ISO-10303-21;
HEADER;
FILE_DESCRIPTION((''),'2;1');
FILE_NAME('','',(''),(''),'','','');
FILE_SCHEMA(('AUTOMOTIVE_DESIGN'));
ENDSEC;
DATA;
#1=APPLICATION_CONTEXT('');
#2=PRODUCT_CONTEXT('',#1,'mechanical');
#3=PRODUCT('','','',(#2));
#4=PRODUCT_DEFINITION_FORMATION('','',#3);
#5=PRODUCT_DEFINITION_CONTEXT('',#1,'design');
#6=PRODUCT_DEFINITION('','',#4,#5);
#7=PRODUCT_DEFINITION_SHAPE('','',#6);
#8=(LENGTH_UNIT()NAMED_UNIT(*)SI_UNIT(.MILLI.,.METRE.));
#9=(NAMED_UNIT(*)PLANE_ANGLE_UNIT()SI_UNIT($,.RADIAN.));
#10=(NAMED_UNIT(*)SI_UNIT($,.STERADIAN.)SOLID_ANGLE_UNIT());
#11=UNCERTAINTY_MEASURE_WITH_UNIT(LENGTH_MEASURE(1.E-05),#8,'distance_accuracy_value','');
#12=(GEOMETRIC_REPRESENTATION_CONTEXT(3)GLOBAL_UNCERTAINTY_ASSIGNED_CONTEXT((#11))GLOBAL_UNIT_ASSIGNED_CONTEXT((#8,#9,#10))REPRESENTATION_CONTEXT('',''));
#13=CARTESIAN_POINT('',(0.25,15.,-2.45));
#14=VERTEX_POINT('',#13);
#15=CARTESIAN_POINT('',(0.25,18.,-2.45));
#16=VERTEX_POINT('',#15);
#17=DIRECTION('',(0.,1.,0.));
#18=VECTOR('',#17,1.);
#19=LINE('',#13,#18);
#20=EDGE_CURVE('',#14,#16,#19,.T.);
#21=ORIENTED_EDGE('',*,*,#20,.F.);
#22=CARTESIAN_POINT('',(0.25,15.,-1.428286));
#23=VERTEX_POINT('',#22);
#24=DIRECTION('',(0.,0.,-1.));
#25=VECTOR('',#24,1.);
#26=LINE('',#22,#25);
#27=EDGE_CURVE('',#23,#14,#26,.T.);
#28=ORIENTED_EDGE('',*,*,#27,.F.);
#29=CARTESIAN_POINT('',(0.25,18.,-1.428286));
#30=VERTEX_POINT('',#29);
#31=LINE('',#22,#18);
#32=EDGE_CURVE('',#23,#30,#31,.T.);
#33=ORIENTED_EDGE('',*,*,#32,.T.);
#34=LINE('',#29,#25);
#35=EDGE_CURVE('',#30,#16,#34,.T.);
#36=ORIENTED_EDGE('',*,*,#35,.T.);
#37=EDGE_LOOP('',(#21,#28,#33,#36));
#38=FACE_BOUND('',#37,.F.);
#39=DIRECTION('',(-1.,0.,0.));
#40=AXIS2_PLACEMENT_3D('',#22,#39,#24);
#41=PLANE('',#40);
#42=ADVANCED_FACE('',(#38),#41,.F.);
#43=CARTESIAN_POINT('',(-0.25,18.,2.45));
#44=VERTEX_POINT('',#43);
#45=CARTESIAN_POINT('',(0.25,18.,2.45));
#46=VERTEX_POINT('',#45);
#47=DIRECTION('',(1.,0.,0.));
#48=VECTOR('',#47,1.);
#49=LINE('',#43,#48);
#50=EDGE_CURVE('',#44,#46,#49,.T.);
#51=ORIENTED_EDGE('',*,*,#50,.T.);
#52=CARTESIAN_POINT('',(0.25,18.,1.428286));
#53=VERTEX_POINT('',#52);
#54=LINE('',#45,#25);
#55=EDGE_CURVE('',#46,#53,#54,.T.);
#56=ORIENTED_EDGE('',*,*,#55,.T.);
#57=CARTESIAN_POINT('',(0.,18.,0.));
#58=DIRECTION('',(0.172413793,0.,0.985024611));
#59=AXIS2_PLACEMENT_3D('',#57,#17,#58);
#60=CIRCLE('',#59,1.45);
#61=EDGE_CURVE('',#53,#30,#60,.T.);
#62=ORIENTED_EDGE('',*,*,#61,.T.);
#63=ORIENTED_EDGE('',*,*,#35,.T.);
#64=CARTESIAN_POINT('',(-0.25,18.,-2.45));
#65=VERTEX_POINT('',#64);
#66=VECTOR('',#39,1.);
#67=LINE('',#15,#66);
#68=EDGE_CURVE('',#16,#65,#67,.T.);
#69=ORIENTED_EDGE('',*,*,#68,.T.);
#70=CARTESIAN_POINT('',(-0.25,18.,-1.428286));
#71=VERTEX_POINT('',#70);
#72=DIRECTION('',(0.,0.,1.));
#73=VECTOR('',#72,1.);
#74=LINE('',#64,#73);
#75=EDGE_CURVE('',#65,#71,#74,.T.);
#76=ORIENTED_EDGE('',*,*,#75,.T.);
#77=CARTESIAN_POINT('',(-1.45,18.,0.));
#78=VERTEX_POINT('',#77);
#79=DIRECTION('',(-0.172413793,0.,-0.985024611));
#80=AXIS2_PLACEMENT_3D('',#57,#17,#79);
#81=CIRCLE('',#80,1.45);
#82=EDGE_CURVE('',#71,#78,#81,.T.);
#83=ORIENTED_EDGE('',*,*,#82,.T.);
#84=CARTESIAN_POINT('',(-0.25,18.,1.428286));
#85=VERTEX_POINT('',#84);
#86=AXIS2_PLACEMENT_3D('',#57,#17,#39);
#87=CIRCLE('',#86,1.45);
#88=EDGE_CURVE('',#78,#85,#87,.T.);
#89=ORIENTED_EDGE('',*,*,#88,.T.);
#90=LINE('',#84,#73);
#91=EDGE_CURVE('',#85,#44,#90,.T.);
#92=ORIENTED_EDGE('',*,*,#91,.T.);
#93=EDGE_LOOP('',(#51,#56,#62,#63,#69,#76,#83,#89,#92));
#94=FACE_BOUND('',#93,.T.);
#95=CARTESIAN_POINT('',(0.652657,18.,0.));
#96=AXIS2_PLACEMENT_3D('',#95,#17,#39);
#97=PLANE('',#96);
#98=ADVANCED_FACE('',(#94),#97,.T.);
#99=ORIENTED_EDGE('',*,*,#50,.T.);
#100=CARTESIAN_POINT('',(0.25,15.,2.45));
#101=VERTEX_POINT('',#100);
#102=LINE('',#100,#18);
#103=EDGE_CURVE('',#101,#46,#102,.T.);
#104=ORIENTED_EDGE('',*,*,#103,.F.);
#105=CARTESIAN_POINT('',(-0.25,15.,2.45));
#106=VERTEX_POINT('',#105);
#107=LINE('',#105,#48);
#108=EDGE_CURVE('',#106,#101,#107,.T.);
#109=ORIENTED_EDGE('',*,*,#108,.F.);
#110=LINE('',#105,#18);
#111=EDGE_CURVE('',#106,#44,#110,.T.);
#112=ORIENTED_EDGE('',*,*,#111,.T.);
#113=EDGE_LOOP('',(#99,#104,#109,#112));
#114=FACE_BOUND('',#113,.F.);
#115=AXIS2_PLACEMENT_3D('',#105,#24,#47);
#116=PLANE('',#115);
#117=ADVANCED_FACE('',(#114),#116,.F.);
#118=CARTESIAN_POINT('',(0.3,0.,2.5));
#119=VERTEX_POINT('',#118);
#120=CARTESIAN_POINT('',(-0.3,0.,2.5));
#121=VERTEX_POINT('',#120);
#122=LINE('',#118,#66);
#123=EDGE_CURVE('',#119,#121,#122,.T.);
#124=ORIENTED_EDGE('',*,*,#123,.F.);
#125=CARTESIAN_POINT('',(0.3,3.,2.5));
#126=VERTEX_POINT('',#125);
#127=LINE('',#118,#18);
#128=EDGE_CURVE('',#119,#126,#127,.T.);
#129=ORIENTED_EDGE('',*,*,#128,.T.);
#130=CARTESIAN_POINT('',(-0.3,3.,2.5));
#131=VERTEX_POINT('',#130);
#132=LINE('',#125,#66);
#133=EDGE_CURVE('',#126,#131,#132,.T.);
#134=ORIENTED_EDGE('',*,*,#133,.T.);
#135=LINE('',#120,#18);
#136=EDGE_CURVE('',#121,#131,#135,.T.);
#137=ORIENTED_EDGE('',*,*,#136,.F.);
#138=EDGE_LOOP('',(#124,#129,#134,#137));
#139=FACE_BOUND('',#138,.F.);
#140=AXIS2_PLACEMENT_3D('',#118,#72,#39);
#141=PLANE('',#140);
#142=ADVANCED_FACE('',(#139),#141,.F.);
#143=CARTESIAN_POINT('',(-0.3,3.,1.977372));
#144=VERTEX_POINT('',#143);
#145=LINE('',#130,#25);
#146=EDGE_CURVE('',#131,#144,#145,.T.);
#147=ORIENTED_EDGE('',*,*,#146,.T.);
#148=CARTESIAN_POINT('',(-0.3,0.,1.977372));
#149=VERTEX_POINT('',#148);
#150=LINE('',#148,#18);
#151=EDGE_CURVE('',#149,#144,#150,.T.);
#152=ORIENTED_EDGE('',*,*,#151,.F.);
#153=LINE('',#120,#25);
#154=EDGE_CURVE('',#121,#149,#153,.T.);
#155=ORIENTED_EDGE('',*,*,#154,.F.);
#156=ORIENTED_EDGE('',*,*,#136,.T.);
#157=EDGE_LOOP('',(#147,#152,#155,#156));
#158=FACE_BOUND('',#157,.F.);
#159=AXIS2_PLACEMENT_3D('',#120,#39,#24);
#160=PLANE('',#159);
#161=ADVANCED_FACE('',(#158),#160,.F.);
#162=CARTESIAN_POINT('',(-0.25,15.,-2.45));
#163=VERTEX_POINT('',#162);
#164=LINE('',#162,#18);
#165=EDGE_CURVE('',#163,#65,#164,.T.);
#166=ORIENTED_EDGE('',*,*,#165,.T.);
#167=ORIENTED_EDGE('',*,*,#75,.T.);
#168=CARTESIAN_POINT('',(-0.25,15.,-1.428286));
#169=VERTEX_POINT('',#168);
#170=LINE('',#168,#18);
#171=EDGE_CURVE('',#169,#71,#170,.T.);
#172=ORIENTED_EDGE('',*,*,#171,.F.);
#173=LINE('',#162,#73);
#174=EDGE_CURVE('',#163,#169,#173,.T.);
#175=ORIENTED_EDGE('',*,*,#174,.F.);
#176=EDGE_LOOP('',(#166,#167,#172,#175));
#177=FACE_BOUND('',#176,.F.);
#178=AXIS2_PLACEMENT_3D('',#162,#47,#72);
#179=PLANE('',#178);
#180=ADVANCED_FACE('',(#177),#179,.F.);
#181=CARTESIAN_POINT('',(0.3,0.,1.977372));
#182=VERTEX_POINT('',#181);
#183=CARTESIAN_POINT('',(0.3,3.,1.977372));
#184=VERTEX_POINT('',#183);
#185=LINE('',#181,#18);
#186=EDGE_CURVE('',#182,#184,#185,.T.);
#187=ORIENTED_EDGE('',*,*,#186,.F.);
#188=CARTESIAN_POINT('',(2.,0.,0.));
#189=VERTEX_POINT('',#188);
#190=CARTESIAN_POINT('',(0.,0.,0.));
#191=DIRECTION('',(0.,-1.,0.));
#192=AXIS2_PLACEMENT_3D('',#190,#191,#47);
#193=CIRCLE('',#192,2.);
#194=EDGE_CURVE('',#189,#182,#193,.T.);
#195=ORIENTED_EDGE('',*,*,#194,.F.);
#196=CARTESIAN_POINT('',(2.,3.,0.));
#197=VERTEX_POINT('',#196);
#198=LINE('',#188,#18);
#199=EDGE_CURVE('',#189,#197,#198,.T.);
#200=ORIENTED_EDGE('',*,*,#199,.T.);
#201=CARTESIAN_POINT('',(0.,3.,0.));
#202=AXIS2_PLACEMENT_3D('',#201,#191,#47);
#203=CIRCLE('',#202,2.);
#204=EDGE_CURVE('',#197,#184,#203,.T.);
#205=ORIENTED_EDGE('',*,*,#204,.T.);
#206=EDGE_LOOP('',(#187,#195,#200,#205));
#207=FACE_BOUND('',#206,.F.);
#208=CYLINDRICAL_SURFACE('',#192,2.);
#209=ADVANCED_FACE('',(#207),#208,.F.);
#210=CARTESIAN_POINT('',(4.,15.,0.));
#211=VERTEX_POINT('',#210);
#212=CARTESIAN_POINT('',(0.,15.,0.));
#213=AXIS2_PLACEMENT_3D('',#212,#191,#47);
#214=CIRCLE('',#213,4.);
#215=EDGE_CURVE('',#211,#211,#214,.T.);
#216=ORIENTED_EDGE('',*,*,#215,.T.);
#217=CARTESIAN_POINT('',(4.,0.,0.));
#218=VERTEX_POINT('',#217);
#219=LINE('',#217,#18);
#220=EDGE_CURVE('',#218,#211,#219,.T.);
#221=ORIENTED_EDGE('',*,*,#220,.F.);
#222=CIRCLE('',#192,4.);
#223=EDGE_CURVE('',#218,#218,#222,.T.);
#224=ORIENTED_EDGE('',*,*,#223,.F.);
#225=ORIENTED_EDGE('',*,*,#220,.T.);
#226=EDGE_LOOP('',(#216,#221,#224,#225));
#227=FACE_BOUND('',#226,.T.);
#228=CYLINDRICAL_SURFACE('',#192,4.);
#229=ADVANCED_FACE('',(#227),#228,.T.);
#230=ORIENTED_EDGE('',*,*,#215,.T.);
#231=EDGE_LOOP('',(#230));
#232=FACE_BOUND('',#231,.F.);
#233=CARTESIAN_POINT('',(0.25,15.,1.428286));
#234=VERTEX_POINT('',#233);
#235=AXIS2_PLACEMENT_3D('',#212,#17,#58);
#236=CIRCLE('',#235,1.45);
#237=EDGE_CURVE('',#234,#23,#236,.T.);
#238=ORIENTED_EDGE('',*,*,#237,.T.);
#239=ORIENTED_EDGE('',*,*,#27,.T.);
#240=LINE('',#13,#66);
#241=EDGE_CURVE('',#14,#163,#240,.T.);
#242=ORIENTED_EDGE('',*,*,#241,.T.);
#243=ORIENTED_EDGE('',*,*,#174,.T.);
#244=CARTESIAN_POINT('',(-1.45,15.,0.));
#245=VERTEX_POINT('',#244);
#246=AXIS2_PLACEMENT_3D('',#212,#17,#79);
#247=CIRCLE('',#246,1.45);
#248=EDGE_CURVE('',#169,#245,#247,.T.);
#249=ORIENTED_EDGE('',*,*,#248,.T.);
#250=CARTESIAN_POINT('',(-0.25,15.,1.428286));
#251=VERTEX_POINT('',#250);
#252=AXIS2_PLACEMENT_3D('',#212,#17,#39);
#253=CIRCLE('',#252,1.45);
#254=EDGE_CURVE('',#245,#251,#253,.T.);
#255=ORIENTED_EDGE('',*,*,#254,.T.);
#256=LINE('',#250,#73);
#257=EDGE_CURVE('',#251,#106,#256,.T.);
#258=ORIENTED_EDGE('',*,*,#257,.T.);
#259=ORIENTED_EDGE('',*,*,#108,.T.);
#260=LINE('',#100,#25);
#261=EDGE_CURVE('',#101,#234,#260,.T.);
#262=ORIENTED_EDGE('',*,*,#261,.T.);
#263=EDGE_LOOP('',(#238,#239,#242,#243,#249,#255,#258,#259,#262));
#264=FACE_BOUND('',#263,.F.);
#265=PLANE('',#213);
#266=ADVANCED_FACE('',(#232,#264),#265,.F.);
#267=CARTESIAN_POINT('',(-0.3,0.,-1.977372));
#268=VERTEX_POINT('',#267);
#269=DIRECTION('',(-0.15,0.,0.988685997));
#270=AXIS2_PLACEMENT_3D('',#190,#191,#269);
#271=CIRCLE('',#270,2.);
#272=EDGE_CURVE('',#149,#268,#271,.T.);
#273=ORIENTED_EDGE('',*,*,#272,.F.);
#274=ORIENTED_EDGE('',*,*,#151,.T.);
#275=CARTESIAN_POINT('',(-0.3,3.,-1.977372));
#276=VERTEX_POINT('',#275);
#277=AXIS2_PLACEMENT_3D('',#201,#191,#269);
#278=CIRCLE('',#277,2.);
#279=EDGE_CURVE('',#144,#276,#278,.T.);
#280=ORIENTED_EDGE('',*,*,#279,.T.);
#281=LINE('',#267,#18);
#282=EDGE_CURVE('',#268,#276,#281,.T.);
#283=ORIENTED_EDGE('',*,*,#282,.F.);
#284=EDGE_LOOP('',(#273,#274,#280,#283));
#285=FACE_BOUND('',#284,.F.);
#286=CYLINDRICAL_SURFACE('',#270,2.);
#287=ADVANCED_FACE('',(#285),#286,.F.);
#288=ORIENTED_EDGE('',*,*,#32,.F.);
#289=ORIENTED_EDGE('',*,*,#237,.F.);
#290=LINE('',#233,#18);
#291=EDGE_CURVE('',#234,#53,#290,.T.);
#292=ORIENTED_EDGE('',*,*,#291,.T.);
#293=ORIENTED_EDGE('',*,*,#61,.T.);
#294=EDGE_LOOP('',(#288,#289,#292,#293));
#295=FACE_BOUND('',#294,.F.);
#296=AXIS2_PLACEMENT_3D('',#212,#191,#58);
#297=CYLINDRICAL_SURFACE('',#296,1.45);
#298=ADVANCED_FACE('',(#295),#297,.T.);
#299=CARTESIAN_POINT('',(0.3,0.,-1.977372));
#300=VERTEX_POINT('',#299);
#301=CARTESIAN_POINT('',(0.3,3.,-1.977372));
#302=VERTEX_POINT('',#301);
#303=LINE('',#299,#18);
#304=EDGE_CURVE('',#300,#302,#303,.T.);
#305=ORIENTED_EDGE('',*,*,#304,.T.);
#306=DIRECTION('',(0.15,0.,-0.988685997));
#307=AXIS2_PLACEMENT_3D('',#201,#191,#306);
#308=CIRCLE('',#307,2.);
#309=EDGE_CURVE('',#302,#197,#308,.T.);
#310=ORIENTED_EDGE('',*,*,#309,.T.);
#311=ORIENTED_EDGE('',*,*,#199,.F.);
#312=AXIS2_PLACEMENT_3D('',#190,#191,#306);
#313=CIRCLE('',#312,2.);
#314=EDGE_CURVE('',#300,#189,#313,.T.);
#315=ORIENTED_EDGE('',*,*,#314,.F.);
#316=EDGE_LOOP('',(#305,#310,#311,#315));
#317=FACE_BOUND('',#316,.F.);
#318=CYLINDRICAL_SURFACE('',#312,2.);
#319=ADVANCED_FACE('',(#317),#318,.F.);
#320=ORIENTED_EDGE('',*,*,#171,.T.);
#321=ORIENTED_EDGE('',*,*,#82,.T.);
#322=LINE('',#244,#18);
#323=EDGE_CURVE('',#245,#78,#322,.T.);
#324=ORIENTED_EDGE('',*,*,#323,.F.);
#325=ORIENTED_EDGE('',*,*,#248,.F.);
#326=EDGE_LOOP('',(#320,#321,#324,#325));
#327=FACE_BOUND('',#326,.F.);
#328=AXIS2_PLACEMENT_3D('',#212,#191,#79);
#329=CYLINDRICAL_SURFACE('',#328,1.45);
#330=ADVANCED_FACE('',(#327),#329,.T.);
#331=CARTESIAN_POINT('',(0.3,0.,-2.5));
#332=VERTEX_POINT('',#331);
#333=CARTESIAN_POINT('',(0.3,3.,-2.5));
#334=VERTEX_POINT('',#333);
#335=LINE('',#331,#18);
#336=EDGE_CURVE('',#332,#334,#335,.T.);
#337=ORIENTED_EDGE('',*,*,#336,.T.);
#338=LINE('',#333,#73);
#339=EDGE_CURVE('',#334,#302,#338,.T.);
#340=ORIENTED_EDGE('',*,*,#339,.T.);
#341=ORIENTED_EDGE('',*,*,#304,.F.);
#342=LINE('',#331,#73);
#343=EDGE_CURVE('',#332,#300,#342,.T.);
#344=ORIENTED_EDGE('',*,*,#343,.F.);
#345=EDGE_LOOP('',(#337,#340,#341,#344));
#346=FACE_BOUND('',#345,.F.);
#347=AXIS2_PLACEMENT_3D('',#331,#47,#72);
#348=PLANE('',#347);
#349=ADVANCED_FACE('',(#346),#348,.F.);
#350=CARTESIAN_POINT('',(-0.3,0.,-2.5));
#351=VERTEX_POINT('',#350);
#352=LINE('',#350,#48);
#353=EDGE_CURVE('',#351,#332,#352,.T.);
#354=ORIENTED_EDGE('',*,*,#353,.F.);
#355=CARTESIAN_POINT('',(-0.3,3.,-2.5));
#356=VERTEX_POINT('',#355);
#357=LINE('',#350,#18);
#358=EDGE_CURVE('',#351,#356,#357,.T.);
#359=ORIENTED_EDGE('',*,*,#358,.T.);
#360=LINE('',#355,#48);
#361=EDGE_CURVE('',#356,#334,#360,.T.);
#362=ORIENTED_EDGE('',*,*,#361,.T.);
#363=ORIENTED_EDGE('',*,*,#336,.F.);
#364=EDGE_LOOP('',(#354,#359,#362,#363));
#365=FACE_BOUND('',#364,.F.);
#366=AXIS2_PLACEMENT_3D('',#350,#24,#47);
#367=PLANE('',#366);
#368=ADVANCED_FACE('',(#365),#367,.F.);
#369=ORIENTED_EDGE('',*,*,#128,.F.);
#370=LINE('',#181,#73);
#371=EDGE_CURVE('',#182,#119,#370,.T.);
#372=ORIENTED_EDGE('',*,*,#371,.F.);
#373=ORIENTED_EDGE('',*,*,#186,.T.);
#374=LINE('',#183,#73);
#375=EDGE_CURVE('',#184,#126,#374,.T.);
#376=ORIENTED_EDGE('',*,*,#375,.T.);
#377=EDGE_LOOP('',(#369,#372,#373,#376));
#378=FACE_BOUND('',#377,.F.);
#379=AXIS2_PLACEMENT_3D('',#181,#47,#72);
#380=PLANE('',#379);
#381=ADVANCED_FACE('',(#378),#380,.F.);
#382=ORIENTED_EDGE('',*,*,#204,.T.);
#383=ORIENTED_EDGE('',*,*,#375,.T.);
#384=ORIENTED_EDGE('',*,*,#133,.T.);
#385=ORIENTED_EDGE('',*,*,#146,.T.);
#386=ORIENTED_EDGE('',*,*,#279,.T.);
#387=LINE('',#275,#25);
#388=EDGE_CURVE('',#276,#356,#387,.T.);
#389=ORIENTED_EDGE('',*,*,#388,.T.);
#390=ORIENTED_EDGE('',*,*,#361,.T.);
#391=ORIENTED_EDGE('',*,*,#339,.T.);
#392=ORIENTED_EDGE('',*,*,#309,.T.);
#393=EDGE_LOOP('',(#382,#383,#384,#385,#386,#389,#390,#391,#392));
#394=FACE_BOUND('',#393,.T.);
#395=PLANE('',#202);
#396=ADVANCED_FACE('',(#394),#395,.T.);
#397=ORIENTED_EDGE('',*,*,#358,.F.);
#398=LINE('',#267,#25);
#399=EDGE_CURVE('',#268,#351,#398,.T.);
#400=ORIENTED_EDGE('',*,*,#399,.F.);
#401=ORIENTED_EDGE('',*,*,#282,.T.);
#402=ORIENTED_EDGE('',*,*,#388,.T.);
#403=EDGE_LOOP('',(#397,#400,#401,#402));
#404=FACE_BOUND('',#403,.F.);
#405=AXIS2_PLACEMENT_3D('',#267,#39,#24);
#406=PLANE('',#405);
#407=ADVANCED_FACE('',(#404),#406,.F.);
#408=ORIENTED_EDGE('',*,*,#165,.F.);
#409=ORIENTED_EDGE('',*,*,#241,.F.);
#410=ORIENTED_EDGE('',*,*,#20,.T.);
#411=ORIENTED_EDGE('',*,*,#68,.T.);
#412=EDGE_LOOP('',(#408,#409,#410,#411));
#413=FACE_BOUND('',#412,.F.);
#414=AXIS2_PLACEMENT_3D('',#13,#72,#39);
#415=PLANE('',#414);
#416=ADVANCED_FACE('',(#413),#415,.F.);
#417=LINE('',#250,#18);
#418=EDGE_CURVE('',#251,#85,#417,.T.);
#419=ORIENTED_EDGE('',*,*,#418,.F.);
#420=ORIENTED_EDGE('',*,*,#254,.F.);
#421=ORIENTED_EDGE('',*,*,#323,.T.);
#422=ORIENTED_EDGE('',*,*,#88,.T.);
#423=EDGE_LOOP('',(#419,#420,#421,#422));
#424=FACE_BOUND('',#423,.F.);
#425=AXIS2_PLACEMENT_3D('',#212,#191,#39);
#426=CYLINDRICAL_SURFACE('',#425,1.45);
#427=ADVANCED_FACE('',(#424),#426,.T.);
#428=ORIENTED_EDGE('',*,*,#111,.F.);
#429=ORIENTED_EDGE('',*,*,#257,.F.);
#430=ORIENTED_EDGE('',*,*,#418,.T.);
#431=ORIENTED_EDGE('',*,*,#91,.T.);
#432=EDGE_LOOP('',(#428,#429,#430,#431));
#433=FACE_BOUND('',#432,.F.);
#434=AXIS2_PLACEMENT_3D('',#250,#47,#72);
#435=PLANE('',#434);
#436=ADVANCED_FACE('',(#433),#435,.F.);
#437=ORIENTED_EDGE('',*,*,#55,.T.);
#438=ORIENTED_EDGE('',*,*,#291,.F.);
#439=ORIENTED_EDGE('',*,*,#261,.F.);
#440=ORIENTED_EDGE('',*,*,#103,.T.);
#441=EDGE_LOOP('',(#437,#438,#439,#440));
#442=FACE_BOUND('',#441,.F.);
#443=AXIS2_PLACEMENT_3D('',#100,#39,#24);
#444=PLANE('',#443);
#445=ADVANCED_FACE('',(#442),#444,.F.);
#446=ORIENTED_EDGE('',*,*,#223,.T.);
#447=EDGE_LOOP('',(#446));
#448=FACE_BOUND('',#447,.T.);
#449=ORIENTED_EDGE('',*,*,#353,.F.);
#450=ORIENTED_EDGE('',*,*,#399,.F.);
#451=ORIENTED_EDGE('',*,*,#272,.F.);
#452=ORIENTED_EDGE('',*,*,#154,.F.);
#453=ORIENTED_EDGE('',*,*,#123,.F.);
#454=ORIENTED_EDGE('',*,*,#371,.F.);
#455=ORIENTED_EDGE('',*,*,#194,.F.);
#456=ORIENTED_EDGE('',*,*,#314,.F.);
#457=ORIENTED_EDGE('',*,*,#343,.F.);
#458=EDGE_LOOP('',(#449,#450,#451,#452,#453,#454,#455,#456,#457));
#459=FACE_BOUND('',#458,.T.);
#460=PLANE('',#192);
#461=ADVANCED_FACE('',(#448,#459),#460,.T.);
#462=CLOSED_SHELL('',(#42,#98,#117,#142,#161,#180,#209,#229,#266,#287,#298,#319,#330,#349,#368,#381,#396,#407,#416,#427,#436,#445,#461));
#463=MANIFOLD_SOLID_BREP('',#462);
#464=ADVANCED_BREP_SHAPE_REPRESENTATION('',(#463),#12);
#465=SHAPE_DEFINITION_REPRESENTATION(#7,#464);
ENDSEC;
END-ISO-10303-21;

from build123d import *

# Parameters (mm, degrees)
F0_R     = 4
F1_DEPTH = 15
F2_DEPTH = 3
F4_DEPTH = 3


with BuildPart() as f1:
    # F0 (on Front) → F1 (new body)
    with BuildSketch(Plane.XZ):
        Circle(F0_R)
        with BuildLine():
            ThreePointArc((0.3, 1.9773719933), (1.5165750888, 1.303840481), (2, 0))
            ThreePointArc((2, 0), (1.5165750888, -1.303840481), (0.3, -1.9773719933))
            Line((0.3, -1.9773719933), (0.3, -2.5))
            Line((0.3, -2.5), (-0.3, -2.5))
            Line((-0.3, -2.5), (-0.3, -1.9773719933))
            ThreePointArc((-0.3, -1.9773719933), (-2, 0), (-0.3, 1.9773719933))
            Line((-0.3, 1.9773719933), (-0.3, 2.5))
            Line((-0.3, 2.5), (0.3, 2.5))
            Line((0.3, 2.5), (0.3, 1.9773719933))
        make_face(mode=Mode.SUBTRACT)
        with BuildLine():
            ThreePointArc((0.3, -1.9773719933), (1.5165750888, -1.303840481), (2, 0))
            ThreePointArc((2, 0), (1.5165750888, 1.303840481), (0.3, 1.9773719933))
            Line((0.3, 1.9773719933), (0.3, -1.9773719933))
        make_face()
        with BuildLine():
            Line((-0.3, -1.9773719933), (-0.3, 1.9773719933))
            ThreePointArc((-0.3, 1.9773719933), (-2, 0), (-0.3, -1.9773719933))
        make_face()
        with BuildLine():
            Line((0.3, -1.9773719933), (0.3, 1.9773719933))
            ThreePointArc((0.3, 1.9773719933), (0, 2), (-0.3, 1.9773719933))
            Line((-0.3, 1.9773719933), (-0.3, -1.9773719933))
            ThreePointArc((-0.3, -1.9773719933), (0, -2), (0.3, -1.9773719933))
        make_face()
        with BuildLine():
            ThreePointArc((-0.3, 1.9773719933), (0, 2), (0.3, 1.9773719933))
            Line((0.3, 1.9773719933), (0.3, 2.5))
            Line((0.3, 2.5), (-0.3, 2.5))
            Line((-0.3, 2.5), (-0.3, 1.9773719933))
        make_face()
        with BuildLine():
            Line((0.3, -2.5), (0.3, -1.9773719933))
            ThreePointArc((0.3, -1.9773719933), (0, -2), (-0.3, -1.9773719933))
            Line((-0.3, -1.9773719933), (-0.3, -2.5))
            Line((-0.3, -2.5), (0.3, -2.5))
        make_face()
    extrude(amount=-F1_DEPTH)

    # F0 (on Front) → F2 (cut)
    with BuildSketch(Plane.XZ):
        with BuildLine():
            Line((0.3, -1.9773719933), (0.3, 1.9773719933))
            ThreePointArc((0.3, 1.9773719933), (0, 2), (-0.3, 1.9773719933))
            Line((-0.3, 1.9773719933), (-0.3, -1.9773719933))
            ThreePointArc((-0.3, -1.9773719933), (0, -2), (0.3, -1.9773719933))
        make_face()
        with BuildLine():
            ThreePointArc((0.3, -1.9773719933), (1.5165750888, -1.303840481), (2, 0))
            ThreePointArc((2, 0), (1.5165750888, 1.303840481), (0.3, 1.9773719933))
            Line((0.3, 1.9773719933), (0.3, -1.9773719933))
        make_face()
        with BuildLine():
            ThreePointArc((-0.3, 1.9773719933), (0, 2), (0.3, 1.9773719933))
            Line((0.3, 1.9773719933), (0.3, 2.5))
            Line((0.3, 2.5), (-0.3, 2.5))
            Line((-0.3, 2.5), (-0.3, 1.9773719933))
        make_face()
        with BuildLine():
            Line((-0.3, -1.9773719933), (-0.3, 1.9773719933))
            ThreePointArc((-0.3, 1.9773719933), (-2, 0), (-0.3, -1.9773719933))
        make_face()
        with BuildLine():
            Line((0.3, -2.5), (0.3, -1.9773719933))
            ThreePointArc((0.3, -1.9773719933), (0, -2), (-0.3, -1.9773719933))
            Line((-0.3, -1.9773719933), (-0.3, -2.5))
            Line((-0.3, -2.5), (0.3, -2.5))
        make_face()
    extrude(amount=-F2_DEPTH, mode=Mode.SUBTRACT)

    # F3 (on face) → F4 (join)
    with BuildSketch(Plane(origin=(0, 15, 0), x_dir=(-1, 0, 0), z_dir=(0, 1, 0))):
        with BuildLine():
            Line((-0.25, -1.4282856857), (-0.25, 1.4282856857))
            ThreePointArc((-0.25, 1.4282856857), (-1.45, 0), (-0.25, -1.4282856857))
        make_face()
        with BuildLine():
            Line((0.25, -1.4282856857), (0.25, 1.4282856857))
            ThreePointArc((0.25, 1.4282856857), (0, 1.45), (-0.25, 1.4282856857))
            Line((-0.25, 1.4282856857), (-0.25, -1.4282856857))
            ThreePointArc((-0.25, -1.4282856857), (0, -1.45), (0.25, -1.4282856857))
        make_face()
        with BuildLine():
            ThreePointArc((0.25, -1.4282856857), (1.1101801656, -0.9327379053), (1.45, 0))
            ThreePointArc((1.45, 0), (1.1101801656, 0.9327379053), (0.25, 1.4282856857))
            Line((0.25, 1.4282856857), (0.25, -1.4282856857))
        make_face()
        with BuildLine():
            ThreePointArc((-0.25, 1.4282856857), (0, 1.45), (0.25, 1.4282856857))
            Line((0.25, 1.4282856857), (0.25, 2.45))
            Line((0.25, 2.45), (-0.25, 2.45))
            Line((-0.25, 2.45), (-0.25, 1.4282856857))
        make_face()
        with BuildLine():
            Line((0.25, -2.45), (0.25, -1.4282856857))
            ThreePointArc((0.25, -1.4282856857), (0, -1.45), (-0.25, -1.4282856857))
            Line((-0.25, -1.4282856857), (-0.25, -2.45))
            Line((-0.25, -2.45), (0.25, -2.45))
        make_face()
    extrude(amount=F4_DEPTH)


solid = f1.part
